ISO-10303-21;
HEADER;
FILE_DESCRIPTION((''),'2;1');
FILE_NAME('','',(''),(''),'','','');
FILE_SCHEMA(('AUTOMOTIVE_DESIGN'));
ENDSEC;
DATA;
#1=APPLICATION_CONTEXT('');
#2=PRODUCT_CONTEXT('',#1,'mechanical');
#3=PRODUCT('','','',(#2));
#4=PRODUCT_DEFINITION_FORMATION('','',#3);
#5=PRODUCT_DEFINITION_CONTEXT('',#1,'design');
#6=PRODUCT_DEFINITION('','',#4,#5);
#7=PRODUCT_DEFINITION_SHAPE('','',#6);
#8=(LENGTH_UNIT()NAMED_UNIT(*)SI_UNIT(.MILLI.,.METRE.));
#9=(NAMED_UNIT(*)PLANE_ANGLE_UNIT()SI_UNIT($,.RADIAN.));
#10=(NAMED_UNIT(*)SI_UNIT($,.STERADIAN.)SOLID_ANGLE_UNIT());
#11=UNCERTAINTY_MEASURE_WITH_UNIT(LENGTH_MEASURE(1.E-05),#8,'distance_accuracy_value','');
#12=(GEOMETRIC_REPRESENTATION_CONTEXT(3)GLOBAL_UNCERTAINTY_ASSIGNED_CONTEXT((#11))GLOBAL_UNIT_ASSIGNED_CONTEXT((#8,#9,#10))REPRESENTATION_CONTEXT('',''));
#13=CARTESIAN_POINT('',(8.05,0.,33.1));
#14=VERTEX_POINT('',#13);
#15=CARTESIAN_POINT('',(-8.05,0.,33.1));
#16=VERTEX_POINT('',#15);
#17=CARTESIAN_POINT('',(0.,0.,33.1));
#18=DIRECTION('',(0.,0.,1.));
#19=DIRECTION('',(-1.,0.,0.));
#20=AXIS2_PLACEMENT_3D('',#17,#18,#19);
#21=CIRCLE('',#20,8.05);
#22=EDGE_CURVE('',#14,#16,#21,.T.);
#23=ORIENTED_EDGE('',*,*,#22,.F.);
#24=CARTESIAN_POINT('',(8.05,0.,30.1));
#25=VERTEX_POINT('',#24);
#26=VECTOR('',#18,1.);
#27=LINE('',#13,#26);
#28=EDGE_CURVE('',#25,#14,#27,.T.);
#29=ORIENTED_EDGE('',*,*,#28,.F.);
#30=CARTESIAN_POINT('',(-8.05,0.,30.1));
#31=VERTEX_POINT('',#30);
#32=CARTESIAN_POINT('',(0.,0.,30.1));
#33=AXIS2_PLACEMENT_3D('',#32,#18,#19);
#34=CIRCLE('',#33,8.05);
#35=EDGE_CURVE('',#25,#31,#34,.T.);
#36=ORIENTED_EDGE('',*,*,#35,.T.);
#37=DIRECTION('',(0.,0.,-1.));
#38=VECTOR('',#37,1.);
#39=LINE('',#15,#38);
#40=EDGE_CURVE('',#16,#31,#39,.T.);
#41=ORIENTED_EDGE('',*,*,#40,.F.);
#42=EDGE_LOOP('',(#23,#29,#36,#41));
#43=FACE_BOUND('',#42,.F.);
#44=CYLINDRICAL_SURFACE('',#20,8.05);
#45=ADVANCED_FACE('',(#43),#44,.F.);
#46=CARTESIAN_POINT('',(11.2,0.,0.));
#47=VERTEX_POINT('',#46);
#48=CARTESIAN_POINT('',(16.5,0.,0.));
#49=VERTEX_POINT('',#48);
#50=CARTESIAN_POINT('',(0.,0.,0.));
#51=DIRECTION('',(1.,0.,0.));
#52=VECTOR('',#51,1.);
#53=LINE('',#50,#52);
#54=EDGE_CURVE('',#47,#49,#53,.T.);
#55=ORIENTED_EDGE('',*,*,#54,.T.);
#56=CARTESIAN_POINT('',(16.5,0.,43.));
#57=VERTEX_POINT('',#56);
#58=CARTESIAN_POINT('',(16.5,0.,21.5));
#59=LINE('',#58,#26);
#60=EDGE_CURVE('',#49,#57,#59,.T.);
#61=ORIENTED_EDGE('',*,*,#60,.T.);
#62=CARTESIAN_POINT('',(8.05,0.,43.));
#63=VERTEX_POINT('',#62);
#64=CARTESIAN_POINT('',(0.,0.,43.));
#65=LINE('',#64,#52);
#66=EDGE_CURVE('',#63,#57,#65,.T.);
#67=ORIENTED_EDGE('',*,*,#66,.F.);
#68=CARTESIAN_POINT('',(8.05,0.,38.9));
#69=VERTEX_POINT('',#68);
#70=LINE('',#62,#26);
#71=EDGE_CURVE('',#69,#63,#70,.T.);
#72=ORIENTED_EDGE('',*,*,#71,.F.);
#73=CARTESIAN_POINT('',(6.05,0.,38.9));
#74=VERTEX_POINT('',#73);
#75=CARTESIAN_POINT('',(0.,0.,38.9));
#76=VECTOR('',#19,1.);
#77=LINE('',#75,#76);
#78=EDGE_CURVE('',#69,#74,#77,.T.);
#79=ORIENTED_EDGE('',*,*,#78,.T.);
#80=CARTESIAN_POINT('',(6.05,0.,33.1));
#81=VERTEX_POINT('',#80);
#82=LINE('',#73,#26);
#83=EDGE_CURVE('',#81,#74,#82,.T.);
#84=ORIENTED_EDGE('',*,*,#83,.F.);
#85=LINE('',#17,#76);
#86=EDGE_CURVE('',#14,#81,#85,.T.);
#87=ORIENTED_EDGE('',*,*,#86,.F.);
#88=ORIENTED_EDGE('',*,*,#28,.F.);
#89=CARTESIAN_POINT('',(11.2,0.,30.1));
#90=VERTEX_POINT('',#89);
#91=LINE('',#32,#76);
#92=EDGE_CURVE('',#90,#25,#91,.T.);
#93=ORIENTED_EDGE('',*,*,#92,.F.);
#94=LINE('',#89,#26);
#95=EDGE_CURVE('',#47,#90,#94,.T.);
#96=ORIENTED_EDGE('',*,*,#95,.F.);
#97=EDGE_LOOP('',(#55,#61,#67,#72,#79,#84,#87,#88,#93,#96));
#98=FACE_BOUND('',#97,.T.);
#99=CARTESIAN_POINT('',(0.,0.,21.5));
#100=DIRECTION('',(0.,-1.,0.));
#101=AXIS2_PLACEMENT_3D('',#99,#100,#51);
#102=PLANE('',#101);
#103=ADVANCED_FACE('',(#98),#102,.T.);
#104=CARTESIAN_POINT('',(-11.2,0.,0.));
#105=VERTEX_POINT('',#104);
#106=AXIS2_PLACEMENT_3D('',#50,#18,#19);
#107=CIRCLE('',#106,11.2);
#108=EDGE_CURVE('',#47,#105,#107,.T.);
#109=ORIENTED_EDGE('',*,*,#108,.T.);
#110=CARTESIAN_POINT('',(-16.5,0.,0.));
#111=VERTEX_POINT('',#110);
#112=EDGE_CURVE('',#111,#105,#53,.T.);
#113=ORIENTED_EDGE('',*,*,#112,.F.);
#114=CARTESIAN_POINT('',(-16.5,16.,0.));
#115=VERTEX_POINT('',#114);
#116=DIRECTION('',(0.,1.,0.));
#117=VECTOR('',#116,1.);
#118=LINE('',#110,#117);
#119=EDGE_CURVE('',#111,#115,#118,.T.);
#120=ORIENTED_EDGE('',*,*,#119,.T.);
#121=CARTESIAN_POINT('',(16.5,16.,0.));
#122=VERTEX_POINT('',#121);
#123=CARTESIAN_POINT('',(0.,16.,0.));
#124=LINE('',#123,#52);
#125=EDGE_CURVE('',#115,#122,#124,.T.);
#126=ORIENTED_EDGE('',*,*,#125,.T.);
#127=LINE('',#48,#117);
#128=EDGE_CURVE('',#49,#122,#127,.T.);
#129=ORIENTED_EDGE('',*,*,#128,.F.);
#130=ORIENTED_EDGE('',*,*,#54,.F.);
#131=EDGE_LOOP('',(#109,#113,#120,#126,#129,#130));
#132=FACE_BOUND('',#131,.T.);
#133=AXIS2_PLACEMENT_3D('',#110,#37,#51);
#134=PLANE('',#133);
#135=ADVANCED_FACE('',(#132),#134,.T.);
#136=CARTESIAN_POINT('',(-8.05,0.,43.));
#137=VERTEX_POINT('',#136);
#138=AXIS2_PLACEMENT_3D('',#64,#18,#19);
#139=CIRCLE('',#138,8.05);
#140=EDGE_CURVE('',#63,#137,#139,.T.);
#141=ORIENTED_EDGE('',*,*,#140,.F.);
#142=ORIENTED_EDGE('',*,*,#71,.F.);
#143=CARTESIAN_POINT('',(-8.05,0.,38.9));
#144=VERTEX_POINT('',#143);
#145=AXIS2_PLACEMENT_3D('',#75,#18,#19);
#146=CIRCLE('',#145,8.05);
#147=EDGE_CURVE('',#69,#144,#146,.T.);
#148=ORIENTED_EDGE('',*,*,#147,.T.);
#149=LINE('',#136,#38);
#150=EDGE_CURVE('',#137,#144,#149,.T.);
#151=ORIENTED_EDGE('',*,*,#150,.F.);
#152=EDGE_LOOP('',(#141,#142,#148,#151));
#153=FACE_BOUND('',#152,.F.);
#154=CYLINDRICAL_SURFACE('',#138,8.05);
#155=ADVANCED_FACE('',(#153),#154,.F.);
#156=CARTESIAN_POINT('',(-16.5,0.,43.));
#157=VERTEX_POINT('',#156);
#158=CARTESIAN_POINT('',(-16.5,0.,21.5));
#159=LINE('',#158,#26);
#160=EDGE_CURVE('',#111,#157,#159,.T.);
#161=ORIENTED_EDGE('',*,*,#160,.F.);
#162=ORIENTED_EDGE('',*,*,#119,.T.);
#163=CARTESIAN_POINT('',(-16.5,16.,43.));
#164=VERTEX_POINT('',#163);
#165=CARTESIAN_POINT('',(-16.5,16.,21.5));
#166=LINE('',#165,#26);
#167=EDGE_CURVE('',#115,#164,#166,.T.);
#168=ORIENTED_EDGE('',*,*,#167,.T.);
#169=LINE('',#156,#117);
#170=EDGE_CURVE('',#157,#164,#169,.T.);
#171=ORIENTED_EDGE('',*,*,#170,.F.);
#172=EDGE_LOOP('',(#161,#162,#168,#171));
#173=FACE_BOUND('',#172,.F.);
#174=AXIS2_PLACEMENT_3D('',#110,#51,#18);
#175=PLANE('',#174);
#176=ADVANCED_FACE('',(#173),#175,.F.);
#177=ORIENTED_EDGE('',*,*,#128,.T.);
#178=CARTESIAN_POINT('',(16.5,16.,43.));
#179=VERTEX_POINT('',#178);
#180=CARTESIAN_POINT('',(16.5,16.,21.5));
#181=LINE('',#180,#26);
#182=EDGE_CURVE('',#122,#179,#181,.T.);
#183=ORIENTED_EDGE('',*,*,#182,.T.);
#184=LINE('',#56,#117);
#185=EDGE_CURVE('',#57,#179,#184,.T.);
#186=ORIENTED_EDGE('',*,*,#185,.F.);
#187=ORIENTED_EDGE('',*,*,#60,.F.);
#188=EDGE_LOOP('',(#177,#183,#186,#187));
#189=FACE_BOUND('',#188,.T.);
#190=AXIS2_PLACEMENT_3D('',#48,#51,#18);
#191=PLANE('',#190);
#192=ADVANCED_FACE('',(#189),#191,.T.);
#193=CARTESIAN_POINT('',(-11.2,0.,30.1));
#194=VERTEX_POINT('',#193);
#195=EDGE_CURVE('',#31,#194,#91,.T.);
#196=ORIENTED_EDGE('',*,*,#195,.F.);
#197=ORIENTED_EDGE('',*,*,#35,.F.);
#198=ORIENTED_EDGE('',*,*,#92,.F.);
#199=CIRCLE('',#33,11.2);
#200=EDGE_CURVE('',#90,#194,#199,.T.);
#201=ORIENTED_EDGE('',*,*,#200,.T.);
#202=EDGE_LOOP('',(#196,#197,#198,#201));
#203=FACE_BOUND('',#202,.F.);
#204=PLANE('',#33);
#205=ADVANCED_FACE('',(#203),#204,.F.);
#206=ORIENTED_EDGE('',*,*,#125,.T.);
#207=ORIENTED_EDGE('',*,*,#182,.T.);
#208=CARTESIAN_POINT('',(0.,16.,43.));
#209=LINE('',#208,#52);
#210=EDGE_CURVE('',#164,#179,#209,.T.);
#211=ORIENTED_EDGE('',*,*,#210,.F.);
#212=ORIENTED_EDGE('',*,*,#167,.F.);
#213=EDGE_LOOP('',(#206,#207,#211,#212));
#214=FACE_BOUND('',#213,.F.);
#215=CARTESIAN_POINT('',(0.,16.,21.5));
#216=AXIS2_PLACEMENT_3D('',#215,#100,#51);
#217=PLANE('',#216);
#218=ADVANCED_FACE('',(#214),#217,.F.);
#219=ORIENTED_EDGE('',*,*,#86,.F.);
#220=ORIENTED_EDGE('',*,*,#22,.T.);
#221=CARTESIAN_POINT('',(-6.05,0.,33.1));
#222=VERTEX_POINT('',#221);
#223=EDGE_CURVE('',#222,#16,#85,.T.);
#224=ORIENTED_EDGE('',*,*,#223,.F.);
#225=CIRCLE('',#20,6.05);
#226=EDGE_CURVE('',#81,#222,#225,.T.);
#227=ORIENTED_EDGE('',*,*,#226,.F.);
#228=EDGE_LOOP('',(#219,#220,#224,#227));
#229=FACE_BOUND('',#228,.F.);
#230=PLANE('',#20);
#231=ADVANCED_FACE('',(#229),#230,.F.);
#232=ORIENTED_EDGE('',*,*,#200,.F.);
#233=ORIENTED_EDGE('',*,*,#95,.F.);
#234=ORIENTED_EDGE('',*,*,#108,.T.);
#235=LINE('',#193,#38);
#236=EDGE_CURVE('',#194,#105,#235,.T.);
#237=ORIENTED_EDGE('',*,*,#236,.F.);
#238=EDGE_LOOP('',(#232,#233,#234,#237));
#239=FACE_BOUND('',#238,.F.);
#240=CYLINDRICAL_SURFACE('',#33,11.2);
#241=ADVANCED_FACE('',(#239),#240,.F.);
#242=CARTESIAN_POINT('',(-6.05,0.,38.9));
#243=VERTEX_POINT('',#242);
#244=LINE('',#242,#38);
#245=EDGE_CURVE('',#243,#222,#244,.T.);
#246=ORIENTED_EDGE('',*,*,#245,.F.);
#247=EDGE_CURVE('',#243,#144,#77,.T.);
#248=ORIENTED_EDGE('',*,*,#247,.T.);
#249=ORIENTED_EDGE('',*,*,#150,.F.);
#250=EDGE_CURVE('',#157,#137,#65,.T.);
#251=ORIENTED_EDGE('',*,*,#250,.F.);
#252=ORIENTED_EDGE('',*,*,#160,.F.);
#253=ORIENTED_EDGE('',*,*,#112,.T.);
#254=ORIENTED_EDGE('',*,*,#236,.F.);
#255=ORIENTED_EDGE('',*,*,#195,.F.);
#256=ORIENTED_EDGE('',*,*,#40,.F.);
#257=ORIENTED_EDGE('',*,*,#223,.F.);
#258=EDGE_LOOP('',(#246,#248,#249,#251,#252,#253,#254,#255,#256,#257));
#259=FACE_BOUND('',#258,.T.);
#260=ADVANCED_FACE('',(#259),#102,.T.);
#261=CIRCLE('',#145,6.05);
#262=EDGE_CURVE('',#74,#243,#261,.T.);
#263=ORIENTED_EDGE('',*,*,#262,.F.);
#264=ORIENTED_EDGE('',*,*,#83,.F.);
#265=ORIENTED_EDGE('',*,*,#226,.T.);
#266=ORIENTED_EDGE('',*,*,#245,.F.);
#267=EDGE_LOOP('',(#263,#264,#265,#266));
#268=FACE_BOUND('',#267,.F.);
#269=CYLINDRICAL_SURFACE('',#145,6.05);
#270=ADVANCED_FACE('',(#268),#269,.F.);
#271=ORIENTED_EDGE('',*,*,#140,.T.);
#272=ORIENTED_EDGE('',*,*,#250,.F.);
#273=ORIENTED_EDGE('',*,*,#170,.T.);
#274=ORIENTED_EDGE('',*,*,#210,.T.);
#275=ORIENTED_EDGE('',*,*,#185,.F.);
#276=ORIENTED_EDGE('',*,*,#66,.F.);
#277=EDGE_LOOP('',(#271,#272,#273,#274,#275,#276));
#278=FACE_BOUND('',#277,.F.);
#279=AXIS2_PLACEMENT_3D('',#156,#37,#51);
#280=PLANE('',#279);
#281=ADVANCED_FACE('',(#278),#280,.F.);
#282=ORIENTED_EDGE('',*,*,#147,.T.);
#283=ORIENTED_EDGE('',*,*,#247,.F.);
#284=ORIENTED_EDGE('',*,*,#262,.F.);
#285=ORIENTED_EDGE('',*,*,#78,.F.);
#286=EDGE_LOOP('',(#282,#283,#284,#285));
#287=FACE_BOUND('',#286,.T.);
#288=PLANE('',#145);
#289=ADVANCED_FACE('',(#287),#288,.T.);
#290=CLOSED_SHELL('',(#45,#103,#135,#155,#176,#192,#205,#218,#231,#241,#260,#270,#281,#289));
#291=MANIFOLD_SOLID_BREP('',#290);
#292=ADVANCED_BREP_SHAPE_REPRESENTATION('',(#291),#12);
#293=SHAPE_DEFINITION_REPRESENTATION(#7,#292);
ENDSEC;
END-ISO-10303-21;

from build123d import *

# Parameters (mm, degrees)
SKETCH_W        = 33
SKETCH_H        = 43
PAD_DEPTH       = 16
SKETCH008_R     = 8.05
POCKET_DEPTH    = 4.1
SKETCH009_R     = 6.05
POCKET001_DEPTH = 5.8
SKETCH010_R     = 8.05
POCKET002_DEPTH = 3
SKETCH011_R     = 11.2
POCKET003_DEPTH = 30.101


with BuildPart() as part:
    # Sketch → Pad (new body)
    with BuildSketch(Plane.XZ):
        with Locations((0, 21.5)):
            Rectangle(SKETCH_W, SKETCH_H)
    extrude(amount=-PAD_DEPTH)

    # Sketch008 (on Face3 of Pad) → Pocket (cut)
    with BuildSketch(Plane(origin=(0, 0, 43), x_dir=(-1, 0, 0), z_dir=(0, 0, 1))):
        Circle(SKETCH008_R)
    extrude(amount=-POCKET_DEPTH, mode=Mode.SUBTRACT)

    # Sketch009 (on Face8 of Pocket) → Pocket001 (cut)
    with BuildSketch(Plane(origin=(0, 0, 38.9), x_dir=(-1, 0, 0), z_dir=(0, 0, 1))):
        Circle(SKETCH009_R)
    extrude(amount=-POCKET001_DEPTH, mode=Mode.SUBTRACT)

    # Sketch010 (on Face10 of Pocket001) → Pocket002 (cut)
    with BuildSketch(Plane(origin=(0, 0, 33.1), x_dir=(-1, 0, 0), z_dir=(0, 0, 1))):
        Circle(SKETCH010_R)
    extrude(amount=-POCKET002_DEPTH, mode=Mode.SUBTRACT)

    # Sketch011 (on Face12 of Pocket002) → Pocket003 (cut, through all)
    with BuildSketch(Plane(origin=(0, 0, 30.1), x_dir=(-1, 0, 0), z_dir=(0, 0, 1))):
        Circle(SKETCH011_R)
    extrude(amount=-POCKET003_DEPTH, mode=Mode.SUBTRACT)


solid = part.part
